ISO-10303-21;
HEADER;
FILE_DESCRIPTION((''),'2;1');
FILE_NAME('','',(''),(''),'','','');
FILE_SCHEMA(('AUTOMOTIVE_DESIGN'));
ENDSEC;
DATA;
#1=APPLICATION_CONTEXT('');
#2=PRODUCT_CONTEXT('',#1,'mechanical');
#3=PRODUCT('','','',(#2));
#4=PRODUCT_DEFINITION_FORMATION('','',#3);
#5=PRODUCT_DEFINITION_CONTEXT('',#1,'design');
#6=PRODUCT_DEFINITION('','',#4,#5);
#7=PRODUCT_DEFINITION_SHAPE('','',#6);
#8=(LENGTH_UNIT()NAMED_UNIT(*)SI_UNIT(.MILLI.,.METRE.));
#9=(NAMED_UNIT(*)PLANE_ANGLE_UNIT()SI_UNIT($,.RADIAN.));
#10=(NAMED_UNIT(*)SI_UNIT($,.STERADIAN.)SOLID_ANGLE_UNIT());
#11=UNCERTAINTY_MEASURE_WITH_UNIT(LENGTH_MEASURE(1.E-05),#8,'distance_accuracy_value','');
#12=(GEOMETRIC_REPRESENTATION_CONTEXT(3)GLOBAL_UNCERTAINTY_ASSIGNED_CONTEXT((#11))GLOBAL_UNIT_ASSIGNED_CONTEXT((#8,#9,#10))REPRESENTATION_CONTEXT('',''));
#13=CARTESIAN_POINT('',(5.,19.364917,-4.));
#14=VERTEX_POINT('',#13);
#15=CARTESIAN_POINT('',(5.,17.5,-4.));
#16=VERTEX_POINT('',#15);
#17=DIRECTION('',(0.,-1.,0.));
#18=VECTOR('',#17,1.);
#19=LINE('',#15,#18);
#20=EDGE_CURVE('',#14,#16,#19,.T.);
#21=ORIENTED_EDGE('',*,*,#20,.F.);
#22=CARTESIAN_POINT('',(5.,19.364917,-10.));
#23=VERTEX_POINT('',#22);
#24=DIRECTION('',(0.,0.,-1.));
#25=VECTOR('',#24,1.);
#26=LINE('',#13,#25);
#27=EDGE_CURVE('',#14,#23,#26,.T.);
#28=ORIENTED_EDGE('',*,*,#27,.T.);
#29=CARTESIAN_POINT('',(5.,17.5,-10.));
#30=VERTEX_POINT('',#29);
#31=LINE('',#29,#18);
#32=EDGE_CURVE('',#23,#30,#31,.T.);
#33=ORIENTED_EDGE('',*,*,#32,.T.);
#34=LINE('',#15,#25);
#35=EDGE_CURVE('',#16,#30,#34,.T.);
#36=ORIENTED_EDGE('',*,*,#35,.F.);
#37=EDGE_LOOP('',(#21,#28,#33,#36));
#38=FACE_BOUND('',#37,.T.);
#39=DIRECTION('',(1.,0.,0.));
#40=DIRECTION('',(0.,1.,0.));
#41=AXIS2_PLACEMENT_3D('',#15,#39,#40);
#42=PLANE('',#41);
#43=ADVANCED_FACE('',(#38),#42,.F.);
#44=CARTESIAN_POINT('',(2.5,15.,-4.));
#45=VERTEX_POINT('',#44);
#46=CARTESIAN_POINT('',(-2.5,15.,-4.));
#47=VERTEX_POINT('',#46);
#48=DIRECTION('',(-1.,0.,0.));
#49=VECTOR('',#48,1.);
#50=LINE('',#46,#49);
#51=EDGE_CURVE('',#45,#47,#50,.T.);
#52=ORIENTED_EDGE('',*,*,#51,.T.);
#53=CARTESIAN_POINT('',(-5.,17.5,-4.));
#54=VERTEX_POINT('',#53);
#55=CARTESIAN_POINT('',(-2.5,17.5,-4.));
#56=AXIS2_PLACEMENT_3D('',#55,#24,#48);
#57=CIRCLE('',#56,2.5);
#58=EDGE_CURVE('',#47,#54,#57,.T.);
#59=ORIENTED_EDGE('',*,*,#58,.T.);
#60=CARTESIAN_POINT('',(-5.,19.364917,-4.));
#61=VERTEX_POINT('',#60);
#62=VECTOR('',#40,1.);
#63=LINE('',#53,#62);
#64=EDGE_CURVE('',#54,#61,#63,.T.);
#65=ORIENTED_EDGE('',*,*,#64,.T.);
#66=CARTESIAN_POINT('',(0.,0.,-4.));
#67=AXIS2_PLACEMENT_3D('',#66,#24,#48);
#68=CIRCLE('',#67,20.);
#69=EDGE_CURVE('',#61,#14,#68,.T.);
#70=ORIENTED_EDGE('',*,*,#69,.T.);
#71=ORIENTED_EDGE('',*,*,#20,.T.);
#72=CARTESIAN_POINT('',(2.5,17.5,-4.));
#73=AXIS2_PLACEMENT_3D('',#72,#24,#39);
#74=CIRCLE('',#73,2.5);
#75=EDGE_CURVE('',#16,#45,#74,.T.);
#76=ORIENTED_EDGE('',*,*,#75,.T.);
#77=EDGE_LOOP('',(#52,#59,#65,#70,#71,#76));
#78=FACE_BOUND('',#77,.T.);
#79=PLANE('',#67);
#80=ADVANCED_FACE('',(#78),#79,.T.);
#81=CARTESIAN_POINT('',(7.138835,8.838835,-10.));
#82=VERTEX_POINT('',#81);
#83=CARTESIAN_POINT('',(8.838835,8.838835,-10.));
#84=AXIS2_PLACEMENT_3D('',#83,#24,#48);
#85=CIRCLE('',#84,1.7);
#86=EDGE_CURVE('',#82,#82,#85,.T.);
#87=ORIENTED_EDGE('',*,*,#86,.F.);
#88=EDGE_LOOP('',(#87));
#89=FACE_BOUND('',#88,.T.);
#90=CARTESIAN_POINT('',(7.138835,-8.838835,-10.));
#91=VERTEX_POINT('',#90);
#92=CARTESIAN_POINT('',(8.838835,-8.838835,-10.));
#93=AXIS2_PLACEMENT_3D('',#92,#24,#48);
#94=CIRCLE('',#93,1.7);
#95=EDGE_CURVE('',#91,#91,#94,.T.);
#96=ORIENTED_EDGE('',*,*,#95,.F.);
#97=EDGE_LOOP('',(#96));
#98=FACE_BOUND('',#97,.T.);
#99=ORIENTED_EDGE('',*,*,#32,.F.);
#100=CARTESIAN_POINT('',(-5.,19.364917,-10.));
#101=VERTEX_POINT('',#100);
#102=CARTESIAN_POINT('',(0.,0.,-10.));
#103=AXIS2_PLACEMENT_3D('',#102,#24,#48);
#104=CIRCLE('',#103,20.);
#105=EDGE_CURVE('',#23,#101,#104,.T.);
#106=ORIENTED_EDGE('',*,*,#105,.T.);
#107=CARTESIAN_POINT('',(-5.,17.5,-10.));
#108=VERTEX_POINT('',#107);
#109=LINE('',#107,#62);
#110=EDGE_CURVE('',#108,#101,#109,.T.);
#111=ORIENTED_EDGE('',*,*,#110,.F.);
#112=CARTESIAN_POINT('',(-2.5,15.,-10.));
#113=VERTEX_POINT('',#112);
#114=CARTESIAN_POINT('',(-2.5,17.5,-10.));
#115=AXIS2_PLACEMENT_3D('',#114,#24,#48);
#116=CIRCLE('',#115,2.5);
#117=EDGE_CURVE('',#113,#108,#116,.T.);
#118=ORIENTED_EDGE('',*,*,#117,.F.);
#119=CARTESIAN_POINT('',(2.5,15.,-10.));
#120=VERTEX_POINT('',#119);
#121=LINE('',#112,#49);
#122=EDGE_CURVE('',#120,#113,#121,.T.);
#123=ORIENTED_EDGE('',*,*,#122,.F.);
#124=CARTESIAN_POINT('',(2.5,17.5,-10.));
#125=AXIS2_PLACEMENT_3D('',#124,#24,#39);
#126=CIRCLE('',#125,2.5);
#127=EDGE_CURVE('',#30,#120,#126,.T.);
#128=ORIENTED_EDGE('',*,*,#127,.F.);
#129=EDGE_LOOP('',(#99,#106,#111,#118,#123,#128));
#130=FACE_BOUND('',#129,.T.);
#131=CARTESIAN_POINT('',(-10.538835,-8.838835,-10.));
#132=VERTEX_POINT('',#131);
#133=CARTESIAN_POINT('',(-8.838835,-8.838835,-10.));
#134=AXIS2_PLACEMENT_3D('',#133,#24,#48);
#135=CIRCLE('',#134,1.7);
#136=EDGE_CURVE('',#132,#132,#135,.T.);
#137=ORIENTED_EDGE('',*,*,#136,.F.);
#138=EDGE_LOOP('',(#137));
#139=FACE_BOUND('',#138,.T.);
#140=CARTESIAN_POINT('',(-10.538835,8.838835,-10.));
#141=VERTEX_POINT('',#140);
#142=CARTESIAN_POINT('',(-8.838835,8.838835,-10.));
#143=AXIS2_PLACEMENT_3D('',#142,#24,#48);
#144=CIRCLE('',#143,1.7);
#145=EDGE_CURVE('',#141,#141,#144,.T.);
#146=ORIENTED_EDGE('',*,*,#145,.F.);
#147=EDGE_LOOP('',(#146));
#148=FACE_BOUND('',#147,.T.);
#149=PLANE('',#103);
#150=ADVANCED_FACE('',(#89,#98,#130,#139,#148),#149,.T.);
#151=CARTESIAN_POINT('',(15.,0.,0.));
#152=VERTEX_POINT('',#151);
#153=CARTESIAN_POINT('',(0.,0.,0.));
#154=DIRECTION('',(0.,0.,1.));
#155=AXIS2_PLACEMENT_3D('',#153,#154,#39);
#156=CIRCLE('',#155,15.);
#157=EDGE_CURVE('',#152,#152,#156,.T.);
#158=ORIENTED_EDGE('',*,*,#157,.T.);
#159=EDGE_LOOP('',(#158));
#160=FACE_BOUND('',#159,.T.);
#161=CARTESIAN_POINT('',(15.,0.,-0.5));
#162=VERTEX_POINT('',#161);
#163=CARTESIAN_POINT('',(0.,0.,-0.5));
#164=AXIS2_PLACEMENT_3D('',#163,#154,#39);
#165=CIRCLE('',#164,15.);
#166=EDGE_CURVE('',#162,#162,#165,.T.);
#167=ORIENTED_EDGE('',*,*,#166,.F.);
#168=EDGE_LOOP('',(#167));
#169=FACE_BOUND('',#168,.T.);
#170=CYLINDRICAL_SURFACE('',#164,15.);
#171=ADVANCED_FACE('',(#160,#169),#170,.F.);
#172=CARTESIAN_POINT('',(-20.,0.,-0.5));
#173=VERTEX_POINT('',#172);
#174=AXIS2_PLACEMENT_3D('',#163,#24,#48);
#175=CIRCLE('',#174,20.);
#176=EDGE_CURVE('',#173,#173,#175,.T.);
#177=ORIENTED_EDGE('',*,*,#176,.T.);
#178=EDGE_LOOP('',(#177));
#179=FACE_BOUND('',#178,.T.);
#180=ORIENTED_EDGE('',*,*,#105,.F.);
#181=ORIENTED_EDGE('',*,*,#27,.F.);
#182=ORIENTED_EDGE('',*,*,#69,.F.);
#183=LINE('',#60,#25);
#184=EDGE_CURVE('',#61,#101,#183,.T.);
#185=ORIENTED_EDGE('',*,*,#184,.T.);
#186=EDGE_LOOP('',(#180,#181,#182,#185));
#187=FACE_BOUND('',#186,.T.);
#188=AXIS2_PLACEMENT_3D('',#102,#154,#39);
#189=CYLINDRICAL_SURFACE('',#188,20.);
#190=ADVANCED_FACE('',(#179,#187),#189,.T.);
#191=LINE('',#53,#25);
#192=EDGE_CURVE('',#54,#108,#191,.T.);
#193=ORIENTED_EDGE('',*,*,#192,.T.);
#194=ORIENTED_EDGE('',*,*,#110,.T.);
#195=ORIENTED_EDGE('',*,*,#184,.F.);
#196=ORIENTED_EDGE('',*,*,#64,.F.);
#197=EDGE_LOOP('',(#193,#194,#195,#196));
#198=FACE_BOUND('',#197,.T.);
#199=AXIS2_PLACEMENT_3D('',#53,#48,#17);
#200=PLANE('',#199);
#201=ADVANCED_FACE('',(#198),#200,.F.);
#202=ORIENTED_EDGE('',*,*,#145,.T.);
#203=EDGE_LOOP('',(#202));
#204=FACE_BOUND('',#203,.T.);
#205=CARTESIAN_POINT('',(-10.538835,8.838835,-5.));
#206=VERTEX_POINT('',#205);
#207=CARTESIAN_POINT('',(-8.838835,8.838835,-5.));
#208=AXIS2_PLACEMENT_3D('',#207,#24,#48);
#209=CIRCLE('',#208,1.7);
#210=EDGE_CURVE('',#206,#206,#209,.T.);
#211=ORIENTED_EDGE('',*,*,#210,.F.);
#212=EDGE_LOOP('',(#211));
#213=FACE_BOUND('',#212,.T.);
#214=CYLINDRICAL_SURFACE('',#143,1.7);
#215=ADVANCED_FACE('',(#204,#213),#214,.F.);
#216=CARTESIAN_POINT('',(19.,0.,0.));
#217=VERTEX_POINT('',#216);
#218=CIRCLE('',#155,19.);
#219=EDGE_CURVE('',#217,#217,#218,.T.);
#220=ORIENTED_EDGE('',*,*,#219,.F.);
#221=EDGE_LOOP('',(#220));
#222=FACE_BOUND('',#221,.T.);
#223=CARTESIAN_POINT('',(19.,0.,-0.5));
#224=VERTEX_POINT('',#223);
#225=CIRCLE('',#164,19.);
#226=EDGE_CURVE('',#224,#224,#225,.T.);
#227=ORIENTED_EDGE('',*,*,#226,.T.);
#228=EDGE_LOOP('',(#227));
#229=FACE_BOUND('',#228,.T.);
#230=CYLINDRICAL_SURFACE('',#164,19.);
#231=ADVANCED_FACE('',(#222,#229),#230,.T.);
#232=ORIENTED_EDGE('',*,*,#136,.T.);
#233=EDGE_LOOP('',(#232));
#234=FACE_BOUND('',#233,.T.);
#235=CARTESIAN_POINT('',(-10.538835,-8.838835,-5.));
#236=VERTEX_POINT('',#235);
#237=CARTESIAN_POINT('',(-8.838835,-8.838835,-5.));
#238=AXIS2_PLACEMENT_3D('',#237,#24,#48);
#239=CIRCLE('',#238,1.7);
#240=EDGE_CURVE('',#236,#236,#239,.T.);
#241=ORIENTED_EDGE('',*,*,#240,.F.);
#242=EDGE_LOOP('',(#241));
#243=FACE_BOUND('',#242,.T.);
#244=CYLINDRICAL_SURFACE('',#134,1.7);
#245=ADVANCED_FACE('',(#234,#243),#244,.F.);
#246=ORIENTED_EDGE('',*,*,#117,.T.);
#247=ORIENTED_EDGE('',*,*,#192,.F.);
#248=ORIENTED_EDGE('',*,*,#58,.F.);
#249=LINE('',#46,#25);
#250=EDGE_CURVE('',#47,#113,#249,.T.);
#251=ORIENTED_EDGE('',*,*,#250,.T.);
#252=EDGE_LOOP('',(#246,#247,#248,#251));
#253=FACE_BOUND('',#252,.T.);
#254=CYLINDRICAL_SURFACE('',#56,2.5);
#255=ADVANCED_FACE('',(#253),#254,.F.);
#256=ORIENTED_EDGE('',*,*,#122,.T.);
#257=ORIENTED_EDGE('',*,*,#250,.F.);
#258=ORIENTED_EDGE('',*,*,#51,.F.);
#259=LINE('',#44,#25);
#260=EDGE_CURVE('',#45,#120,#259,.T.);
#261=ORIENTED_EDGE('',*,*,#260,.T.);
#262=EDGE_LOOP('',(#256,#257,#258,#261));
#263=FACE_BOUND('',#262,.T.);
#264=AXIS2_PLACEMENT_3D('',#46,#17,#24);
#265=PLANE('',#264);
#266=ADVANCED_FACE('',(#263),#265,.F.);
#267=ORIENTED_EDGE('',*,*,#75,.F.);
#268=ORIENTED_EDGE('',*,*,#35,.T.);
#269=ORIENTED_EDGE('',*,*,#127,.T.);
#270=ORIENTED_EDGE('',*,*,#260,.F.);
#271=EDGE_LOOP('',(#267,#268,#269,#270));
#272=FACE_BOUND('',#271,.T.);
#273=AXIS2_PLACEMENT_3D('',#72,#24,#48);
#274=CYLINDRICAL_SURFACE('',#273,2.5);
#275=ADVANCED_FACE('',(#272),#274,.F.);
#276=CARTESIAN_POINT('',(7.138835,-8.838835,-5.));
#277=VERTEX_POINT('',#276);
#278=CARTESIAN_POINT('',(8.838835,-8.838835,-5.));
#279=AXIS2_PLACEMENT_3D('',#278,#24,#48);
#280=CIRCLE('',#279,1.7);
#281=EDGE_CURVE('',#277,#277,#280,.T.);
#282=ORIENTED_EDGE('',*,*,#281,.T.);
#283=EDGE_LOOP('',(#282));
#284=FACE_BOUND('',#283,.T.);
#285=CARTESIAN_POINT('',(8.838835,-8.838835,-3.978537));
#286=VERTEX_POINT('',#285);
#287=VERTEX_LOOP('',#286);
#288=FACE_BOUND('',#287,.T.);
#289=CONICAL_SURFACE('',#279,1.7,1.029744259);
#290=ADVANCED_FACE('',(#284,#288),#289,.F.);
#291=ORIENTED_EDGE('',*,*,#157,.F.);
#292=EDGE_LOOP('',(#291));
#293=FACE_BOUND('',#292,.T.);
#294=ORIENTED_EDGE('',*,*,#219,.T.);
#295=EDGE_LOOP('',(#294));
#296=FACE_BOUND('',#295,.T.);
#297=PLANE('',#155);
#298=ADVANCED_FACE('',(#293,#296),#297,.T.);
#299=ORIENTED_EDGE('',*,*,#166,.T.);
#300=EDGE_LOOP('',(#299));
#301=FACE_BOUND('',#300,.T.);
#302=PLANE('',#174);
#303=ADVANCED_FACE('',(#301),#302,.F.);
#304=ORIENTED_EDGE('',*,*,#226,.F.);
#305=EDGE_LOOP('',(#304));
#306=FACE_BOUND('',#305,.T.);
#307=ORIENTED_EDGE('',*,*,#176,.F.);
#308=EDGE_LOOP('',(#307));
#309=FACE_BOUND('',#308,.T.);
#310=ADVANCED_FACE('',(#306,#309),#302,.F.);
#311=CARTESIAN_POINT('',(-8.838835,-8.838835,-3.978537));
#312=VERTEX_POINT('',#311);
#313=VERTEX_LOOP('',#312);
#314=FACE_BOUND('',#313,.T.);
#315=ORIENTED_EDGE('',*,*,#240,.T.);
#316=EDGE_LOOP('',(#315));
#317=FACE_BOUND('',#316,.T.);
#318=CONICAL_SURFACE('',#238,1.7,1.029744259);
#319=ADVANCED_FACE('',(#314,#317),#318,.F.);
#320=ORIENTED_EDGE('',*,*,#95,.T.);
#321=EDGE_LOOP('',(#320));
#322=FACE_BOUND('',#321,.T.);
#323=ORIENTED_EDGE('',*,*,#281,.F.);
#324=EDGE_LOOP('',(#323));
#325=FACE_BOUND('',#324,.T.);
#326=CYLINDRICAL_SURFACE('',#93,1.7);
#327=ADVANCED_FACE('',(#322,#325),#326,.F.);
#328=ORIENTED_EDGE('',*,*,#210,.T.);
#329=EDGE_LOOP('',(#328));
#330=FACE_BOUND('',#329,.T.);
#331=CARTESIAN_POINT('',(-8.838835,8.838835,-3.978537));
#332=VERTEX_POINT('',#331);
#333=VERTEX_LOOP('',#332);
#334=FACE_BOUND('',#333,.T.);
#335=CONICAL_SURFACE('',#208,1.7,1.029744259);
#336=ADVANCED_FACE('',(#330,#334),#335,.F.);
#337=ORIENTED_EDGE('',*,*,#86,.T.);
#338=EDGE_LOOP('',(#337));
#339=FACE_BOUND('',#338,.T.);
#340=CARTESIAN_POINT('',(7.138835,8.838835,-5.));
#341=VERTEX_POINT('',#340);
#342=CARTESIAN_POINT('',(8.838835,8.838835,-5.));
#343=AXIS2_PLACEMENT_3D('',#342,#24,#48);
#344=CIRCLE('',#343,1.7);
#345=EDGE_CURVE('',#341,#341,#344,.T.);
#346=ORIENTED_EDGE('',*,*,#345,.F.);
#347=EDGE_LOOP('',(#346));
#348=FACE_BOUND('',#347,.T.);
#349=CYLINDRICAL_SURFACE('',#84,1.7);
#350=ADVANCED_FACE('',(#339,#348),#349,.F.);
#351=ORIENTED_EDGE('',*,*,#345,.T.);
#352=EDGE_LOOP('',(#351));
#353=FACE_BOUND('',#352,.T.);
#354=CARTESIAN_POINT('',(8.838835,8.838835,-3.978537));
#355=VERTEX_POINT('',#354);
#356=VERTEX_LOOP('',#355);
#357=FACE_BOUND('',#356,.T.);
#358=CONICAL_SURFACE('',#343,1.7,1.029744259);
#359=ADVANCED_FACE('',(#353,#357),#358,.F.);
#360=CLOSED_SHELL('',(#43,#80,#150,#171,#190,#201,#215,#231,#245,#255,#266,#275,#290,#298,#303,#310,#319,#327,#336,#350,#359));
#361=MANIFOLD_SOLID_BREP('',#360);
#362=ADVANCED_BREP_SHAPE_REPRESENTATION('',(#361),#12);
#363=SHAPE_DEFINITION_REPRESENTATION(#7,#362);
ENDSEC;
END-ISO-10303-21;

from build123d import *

# Parameters (mm, degrees)
SKETCH2_R                = 19
SKETCH2_R_2              = 15
BOSS_EXTRUDE1_DEPTH      = 0.5
SKETCH3_R                = 20
BOSS_EXTRUDE2_DEPTH      = 9.5
CUT_EXTRUDE2_START       = -6
CUT_EXTRUDE2_DEPTH       = 6
M3_CLEARANCE_HOLE1_D     = 3.4
M3_CLEARANCE_HOLE1_DEPTH = 5
M3_CLEARANCE_HOLE1_TIP   = 1.021463052


with BuildPart() as part:
    # Sketch2 → Boss-Extrude1 (new body)
    with BuildSketch(Plane(origin=(0, 0, 0), x_dir=(0, 1, 0), z_dir=(0, 0, 1))):
        with Locations(Location((0, 0, 0), (0, 0, 270))):
            Circle(SKETCH2_R)
        with Locations(Location((0, 0, 0), (0, 0, 270))):
            Circle(SKETCH2_R_2, mode=Mode.SUBTRACT)
    extrude(amount=-BOSS_EXTRUDE1_DEPTH)

    # Sketch3 → Boss-Extrude2 (add)
    with BuildSketch(Plane(origin=(0, 0, -0.5), x_dir=(1, 0, 0), z_dir=(0, 0, -1))):
        with Locations(Location((0, 0, 0), (0, 0, 180))):
            Circle(SKETCH3_R)
    extrude(amount=BOSS_EXTRUDE2_DEPTH)

    # Sketch4 → Cut-Extrude2 (cut)
    with BuildSketch(Plane(origin=(0, 0, -10), x_dir=(1, 0, 0), z_dir=(0, 0, -1)).offset(CUT_EXTRUDE2_START)):
        with BuildLine():
            Line((-5, -17.5), (-5, -19.364916731))
            ThreePointArc((-5, -19.364916731), (0, -20), (5, -19.364916731))
            Line((5, -19.364916731), (5, -17.5))
            ThreePointArc((5, -17.5), (4.267766953, -15.732233047), (2.5, -15))
            Line((2.5, -15), (-2.5, -15))
            ThreePointArc((-2.5, -15), (-4.267766953, -15.732233047), (-5, -17.5))
        make_face()
    extrude(amount=CUT_EXTRUDE2_DEPTH, mode=Mode.SUBTRACT)

    # M3 Clearance Hole1
    with Locations(Plane(origin=(0, 0, -10), x_dir=(1, 0, 0), z_dir=(0, 0, -1))):
        with Locations((-8.838834765, -8.838834765), (8.838834765, -8.838834765), (8.838834765, 8.838834765), (-8.838834765, 8.838834765)):
            Hole(M3_CLEARANCE_HOLE1_D / 2, depth=M3_CLEARANCE_HOLE1_DEPTH)
            with Locations((0, 0, -(M3_CLEARANCE_HOLE1_DEPTH + M3_CLEARANCE_HOLE1_TIP / 2))):  # 118° drill point
                Cone(0, M3_CLEARANCE_HOLE1_D / 2, M3_CLEARANCE_HOLE1_TIP, mode=Mode.SUBTRACT)


solid = part.part
